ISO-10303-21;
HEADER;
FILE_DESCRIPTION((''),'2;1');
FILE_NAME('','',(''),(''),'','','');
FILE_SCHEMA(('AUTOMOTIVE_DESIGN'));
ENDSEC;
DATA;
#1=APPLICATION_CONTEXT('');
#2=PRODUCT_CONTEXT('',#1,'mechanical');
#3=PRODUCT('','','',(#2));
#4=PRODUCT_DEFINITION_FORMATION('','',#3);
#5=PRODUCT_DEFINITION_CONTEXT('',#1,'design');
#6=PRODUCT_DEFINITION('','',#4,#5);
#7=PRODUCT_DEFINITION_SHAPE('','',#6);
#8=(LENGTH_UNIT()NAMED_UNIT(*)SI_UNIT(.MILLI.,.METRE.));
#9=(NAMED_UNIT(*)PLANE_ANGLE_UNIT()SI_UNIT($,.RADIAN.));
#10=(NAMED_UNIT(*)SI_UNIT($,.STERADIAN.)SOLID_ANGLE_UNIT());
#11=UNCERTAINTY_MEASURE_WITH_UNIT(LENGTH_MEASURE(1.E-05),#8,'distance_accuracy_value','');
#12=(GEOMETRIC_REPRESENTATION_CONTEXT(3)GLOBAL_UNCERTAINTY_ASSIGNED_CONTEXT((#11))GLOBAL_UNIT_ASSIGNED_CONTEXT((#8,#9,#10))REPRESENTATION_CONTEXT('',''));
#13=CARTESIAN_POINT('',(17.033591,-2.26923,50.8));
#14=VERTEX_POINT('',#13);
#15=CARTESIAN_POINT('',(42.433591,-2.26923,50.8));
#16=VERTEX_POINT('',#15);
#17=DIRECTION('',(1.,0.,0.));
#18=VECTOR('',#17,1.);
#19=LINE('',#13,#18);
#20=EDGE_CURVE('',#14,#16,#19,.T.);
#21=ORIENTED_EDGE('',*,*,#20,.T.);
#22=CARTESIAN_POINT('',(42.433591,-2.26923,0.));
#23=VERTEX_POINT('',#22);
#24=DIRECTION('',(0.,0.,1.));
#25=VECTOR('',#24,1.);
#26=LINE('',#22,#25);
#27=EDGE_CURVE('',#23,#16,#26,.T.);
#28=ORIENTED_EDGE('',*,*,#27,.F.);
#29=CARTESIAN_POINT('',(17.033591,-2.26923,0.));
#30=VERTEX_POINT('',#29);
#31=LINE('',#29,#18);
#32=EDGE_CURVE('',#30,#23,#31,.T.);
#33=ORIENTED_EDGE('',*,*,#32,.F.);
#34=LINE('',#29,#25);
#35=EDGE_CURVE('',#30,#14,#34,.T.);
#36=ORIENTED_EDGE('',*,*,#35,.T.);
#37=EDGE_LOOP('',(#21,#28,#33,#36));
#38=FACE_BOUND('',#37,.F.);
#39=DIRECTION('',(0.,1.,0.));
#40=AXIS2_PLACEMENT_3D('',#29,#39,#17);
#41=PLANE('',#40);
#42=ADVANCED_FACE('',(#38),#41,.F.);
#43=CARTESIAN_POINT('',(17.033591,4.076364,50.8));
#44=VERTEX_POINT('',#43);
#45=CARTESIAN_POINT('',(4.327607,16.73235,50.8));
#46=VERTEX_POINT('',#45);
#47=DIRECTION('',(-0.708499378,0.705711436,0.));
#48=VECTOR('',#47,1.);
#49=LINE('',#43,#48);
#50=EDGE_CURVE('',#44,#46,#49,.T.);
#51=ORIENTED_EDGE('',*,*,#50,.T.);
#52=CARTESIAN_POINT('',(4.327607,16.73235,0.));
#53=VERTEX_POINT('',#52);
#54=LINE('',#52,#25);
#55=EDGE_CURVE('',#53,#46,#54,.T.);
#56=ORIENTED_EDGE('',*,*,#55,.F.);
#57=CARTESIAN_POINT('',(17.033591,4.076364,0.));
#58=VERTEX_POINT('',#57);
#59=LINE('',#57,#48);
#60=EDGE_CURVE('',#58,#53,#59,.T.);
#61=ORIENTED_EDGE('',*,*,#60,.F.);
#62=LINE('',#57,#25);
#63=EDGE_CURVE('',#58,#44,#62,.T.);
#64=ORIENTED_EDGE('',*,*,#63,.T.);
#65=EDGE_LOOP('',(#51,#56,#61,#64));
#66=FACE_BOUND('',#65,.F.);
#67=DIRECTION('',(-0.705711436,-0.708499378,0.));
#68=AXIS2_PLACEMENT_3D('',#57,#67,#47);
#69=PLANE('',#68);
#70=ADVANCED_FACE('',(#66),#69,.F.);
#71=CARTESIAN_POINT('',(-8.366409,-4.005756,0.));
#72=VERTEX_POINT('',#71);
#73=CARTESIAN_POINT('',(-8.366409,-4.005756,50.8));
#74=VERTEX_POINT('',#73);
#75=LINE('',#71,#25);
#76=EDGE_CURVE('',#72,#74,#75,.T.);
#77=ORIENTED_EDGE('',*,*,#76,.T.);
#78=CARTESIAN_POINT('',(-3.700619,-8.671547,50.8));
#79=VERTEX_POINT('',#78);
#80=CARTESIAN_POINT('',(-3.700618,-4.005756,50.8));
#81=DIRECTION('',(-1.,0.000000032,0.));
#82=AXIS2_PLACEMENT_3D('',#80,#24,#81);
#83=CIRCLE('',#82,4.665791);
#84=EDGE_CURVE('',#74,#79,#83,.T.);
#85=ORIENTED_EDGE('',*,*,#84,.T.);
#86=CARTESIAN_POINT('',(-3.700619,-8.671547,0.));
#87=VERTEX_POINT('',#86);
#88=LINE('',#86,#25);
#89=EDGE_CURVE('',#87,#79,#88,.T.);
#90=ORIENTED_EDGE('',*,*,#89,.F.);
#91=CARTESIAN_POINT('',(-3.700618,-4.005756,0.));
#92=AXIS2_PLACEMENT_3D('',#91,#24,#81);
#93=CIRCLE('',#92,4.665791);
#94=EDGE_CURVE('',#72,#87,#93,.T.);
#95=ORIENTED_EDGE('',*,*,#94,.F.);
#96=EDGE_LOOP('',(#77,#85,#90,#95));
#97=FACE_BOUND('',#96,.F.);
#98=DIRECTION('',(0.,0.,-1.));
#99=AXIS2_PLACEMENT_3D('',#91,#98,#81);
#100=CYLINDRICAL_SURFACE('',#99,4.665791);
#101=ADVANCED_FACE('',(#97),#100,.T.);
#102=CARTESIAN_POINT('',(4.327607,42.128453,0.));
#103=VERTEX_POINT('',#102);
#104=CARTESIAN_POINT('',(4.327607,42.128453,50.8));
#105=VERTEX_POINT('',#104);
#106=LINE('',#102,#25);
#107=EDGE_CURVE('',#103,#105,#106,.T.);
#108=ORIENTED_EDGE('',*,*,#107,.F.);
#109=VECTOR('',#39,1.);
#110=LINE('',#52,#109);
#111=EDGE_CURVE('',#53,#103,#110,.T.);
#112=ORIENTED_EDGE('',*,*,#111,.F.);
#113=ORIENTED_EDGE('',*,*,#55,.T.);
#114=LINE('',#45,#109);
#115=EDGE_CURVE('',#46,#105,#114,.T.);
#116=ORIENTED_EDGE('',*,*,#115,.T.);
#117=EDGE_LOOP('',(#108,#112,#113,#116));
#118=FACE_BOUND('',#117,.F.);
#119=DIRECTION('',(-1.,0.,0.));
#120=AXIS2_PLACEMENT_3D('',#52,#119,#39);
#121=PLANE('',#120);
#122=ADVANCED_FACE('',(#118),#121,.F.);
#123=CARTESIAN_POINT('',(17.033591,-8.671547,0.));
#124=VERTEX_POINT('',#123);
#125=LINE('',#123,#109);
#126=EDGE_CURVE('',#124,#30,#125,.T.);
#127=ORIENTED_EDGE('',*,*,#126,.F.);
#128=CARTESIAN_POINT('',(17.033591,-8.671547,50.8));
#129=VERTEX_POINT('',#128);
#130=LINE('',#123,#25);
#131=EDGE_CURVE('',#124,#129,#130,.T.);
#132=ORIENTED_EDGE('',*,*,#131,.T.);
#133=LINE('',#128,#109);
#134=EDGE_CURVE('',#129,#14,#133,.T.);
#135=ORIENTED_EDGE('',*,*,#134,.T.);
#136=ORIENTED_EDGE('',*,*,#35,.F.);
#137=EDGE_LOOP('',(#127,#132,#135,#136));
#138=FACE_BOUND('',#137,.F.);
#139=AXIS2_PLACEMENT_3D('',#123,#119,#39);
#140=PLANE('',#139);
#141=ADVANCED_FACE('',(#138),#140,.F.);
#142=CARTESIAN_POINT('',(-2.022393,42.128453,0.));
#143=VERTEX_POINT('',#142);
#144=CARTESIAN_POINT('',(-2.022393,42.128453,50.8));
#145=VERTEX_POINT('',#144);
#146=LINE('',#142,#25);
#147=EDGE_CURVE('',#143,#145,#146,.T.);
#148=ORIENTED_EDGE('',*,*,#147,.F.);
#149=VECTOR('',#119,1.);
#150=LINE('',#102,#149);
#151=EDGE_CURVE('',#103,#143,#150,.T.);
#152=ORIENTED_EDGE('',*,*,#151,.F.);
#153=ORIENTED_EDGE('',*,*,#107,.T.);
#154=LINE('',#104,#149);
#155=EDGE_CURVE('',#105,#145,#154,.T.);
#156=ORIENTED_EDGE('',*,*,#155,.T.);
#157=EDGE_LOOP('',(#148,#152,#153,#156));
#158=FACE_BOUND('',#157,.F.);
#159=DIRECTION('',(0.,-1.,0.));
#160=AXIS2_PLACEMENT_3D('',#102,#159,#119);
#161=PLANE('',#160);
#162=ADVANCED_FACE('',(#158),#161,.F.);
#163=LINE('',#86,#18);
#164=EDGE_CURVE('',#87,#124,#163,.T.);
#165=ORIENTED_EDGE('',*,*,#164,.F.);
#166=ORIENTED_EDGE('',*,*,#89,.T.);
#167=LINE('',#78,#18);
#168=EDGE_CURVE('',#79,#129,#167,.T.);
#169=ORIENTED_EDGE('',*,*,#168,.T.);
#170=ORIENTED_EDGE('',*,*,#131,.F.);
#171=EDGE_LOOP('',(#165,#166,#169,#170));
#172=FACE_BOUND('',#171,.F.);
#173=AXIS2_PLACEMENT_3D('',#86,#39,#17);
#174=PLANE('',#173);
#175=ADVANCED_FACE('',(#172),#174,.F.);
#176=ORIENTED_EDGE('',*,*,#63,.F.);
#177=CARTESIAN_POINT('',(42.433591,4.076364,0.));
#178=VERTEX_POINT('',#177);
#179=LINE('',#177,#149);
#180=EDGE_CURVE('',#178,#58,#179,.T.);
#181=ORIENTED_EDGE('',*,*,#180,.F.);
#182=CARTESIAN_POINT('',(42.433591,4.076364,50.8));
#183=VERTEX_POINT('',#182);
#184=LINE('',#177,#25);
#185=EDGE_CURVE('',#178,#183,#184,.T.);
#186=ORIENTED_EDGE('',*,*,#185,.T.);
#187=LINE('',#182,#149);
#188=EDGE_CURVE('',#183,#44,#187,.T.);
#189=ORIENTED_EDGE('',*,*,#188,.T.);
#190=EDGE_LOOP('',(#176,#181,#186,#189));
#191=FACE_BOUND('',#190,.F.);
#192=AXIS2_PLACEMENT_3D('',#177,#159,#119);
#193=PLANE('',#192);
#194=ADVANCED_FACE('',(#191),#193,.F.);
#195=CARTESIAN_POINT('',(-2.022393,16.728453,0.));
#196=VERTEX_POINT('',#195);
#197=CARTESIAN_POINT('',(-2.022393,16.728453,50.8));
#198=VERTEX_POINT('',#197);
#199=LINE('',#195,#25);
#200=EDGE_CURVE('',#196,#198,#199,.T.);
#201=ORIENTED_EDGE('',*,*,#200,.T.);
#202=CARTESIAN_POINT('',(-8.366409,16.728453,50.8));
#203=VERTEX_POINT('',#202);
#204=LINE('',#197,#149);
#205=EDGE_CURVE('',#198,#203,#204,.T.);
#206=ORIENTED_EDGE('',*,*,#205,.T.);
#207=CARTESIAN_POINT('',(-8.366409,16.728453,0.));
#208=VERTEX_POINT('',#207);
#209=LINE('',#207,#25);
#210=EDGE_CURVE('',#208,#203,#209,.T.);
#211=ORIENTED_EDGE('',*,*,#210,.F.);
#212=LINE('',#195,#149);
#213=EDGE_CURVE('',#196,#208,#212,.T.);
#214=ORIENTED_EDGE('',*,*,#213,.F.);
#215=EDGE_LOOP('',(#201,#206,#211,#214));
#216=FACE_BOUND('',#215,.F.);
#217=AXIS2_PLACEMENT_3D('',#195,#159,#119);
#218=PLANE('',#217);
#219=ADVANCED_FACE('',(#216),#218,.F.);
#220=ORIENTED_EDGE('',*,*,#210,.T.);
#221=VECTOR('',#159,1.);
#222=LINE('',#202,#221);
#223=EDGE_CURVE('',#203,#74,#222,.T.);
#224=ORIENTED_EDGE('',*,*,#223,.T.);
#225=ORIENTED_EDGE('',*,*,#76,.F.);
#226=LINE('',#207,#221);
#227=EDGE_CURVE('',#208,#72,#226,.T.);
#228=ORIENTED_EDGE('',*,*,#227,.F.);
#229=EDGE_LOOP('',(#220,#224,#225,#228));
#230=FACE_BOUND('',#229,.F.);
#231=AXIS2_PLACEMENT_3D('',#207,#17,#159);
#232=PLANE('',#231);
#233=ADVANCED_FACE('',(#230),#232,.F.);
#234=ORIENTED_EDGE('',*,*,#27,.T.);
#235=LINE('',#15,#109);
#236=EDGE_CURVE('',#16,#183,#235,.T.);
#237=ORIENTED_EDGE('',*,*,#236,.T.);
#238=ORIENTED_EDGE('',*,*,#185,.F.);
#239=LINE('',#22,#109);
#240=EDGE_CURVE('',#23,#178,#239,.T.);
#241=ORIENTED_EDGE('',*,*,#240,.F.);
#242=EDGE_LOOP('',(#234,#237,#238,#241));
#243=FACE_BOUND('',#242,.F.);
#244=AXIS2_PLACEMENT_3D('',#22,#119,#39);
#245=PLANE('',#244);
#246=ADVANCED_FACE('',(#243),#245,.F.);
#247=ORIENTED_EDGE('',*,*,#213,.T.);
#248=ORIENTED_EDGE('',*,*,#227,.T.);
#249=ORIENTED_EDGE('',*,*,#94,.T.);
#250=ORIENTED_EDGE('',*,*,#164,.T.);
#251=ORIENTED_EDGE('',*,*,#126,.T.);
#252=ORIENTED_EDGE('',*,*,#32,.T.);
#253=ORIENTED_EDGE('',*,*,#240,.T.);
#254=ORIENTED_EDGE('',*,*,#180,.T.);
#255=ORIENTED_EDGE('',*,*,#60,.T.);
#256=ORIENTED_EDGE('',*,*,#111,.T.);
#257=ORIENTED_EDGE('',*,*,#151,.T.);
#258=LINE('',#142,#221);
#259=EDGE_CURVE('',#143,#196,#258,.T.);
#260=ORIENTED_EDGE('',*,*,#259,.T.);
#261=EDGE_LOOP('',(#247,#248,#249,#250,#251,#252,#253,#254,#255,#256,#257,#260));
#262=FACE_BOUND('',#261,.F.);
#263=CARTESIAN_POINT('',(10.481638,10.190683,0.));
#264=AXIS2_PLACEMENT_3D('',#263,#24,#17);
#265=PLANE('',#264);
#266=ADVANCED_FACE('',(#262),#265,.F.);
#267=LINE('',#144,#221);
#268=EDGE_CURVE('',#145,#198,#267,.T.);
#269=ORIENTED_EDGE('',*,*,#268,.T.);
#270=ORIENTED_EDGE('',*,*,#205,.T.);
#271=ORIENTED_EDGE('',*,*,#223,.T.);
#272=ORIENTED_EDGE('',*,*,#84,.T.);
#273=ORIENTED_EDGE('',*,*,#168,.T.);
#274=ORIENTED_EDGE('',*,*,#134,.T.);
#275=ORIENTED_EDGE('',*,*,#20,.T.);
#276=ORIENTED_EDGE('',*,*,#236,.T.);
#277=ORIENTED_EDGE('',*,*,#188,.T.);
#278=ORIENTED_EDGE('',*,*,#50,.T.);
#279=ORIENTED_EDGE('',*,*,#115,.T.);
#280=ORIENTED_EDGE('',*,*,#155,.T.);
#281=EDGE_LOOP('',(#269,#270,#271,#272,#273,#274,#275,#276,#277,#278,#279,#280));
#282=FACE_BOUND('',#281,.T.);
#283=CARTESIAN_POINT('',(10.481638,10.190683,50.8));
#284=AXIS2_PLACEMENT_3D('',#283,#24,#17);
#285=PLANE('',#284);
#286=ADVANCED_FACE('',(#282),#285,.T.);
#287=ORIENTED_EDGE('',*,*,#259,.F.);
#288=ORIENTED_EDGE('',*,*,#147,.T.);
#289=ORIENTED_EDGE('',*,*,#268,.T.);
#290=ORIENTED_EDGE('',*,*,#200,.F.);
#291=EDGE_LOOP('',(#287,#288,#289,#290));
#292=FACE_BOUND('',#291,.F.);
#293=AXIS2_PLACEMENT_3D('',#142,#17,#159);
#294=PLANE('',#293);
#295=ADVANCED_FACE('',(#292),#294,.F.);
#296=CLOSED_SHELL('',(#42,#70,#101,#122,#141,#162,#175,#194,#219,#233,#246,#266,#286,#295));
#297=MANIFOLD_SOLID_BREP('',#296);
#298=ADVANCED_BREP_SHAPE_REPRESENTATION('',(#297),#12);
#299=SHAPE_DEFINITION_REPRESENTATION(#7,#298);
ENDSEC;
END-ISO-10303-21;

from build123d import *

# Parameters (mm, degrees)
F1_DEPTH = 50.8


with BuildPart() as f1:
    # F0 (on Top) → F1 (new body)
    with BuildSketch(Plane.XY):
        with BuildLine():
            Line((4.327607, 16.73235), (4.327607, 42.128453))
            Line((4.327607, 42.128453), (-2.022393, 42.128453))
            Line((-2.022393, 42.128453), (-2.022393, 16.728453))
            Line((-2.022393, 16.728453), (-8.366409, 16.728453))
            Line((-8.366409, 16.728453), (-8.366409, -4.005756))
            ThreePointArc((-8.366409, -4.005756), (-6.999831, -7.304968), (-3.700619, -8.671547))
            Line((-3.700619, -8.671547), (17.033591, -8.671547))
            Line((17.033591, -8.671547), (17.033591, -2.26923))
            Line((17.033591, -2.26923), (42.433591, -2.26923))
            Line((42.433591, -2.26923), (42.433591, 4.076364))
            Line((42.433591, 4.076364), (17.033591, 4.076364))
            Line((17.033591, 4.076364), (4.327607, 16.73235))
        make_face()
    extrude(amount=F1_DEPTH)


solid = f1.part
